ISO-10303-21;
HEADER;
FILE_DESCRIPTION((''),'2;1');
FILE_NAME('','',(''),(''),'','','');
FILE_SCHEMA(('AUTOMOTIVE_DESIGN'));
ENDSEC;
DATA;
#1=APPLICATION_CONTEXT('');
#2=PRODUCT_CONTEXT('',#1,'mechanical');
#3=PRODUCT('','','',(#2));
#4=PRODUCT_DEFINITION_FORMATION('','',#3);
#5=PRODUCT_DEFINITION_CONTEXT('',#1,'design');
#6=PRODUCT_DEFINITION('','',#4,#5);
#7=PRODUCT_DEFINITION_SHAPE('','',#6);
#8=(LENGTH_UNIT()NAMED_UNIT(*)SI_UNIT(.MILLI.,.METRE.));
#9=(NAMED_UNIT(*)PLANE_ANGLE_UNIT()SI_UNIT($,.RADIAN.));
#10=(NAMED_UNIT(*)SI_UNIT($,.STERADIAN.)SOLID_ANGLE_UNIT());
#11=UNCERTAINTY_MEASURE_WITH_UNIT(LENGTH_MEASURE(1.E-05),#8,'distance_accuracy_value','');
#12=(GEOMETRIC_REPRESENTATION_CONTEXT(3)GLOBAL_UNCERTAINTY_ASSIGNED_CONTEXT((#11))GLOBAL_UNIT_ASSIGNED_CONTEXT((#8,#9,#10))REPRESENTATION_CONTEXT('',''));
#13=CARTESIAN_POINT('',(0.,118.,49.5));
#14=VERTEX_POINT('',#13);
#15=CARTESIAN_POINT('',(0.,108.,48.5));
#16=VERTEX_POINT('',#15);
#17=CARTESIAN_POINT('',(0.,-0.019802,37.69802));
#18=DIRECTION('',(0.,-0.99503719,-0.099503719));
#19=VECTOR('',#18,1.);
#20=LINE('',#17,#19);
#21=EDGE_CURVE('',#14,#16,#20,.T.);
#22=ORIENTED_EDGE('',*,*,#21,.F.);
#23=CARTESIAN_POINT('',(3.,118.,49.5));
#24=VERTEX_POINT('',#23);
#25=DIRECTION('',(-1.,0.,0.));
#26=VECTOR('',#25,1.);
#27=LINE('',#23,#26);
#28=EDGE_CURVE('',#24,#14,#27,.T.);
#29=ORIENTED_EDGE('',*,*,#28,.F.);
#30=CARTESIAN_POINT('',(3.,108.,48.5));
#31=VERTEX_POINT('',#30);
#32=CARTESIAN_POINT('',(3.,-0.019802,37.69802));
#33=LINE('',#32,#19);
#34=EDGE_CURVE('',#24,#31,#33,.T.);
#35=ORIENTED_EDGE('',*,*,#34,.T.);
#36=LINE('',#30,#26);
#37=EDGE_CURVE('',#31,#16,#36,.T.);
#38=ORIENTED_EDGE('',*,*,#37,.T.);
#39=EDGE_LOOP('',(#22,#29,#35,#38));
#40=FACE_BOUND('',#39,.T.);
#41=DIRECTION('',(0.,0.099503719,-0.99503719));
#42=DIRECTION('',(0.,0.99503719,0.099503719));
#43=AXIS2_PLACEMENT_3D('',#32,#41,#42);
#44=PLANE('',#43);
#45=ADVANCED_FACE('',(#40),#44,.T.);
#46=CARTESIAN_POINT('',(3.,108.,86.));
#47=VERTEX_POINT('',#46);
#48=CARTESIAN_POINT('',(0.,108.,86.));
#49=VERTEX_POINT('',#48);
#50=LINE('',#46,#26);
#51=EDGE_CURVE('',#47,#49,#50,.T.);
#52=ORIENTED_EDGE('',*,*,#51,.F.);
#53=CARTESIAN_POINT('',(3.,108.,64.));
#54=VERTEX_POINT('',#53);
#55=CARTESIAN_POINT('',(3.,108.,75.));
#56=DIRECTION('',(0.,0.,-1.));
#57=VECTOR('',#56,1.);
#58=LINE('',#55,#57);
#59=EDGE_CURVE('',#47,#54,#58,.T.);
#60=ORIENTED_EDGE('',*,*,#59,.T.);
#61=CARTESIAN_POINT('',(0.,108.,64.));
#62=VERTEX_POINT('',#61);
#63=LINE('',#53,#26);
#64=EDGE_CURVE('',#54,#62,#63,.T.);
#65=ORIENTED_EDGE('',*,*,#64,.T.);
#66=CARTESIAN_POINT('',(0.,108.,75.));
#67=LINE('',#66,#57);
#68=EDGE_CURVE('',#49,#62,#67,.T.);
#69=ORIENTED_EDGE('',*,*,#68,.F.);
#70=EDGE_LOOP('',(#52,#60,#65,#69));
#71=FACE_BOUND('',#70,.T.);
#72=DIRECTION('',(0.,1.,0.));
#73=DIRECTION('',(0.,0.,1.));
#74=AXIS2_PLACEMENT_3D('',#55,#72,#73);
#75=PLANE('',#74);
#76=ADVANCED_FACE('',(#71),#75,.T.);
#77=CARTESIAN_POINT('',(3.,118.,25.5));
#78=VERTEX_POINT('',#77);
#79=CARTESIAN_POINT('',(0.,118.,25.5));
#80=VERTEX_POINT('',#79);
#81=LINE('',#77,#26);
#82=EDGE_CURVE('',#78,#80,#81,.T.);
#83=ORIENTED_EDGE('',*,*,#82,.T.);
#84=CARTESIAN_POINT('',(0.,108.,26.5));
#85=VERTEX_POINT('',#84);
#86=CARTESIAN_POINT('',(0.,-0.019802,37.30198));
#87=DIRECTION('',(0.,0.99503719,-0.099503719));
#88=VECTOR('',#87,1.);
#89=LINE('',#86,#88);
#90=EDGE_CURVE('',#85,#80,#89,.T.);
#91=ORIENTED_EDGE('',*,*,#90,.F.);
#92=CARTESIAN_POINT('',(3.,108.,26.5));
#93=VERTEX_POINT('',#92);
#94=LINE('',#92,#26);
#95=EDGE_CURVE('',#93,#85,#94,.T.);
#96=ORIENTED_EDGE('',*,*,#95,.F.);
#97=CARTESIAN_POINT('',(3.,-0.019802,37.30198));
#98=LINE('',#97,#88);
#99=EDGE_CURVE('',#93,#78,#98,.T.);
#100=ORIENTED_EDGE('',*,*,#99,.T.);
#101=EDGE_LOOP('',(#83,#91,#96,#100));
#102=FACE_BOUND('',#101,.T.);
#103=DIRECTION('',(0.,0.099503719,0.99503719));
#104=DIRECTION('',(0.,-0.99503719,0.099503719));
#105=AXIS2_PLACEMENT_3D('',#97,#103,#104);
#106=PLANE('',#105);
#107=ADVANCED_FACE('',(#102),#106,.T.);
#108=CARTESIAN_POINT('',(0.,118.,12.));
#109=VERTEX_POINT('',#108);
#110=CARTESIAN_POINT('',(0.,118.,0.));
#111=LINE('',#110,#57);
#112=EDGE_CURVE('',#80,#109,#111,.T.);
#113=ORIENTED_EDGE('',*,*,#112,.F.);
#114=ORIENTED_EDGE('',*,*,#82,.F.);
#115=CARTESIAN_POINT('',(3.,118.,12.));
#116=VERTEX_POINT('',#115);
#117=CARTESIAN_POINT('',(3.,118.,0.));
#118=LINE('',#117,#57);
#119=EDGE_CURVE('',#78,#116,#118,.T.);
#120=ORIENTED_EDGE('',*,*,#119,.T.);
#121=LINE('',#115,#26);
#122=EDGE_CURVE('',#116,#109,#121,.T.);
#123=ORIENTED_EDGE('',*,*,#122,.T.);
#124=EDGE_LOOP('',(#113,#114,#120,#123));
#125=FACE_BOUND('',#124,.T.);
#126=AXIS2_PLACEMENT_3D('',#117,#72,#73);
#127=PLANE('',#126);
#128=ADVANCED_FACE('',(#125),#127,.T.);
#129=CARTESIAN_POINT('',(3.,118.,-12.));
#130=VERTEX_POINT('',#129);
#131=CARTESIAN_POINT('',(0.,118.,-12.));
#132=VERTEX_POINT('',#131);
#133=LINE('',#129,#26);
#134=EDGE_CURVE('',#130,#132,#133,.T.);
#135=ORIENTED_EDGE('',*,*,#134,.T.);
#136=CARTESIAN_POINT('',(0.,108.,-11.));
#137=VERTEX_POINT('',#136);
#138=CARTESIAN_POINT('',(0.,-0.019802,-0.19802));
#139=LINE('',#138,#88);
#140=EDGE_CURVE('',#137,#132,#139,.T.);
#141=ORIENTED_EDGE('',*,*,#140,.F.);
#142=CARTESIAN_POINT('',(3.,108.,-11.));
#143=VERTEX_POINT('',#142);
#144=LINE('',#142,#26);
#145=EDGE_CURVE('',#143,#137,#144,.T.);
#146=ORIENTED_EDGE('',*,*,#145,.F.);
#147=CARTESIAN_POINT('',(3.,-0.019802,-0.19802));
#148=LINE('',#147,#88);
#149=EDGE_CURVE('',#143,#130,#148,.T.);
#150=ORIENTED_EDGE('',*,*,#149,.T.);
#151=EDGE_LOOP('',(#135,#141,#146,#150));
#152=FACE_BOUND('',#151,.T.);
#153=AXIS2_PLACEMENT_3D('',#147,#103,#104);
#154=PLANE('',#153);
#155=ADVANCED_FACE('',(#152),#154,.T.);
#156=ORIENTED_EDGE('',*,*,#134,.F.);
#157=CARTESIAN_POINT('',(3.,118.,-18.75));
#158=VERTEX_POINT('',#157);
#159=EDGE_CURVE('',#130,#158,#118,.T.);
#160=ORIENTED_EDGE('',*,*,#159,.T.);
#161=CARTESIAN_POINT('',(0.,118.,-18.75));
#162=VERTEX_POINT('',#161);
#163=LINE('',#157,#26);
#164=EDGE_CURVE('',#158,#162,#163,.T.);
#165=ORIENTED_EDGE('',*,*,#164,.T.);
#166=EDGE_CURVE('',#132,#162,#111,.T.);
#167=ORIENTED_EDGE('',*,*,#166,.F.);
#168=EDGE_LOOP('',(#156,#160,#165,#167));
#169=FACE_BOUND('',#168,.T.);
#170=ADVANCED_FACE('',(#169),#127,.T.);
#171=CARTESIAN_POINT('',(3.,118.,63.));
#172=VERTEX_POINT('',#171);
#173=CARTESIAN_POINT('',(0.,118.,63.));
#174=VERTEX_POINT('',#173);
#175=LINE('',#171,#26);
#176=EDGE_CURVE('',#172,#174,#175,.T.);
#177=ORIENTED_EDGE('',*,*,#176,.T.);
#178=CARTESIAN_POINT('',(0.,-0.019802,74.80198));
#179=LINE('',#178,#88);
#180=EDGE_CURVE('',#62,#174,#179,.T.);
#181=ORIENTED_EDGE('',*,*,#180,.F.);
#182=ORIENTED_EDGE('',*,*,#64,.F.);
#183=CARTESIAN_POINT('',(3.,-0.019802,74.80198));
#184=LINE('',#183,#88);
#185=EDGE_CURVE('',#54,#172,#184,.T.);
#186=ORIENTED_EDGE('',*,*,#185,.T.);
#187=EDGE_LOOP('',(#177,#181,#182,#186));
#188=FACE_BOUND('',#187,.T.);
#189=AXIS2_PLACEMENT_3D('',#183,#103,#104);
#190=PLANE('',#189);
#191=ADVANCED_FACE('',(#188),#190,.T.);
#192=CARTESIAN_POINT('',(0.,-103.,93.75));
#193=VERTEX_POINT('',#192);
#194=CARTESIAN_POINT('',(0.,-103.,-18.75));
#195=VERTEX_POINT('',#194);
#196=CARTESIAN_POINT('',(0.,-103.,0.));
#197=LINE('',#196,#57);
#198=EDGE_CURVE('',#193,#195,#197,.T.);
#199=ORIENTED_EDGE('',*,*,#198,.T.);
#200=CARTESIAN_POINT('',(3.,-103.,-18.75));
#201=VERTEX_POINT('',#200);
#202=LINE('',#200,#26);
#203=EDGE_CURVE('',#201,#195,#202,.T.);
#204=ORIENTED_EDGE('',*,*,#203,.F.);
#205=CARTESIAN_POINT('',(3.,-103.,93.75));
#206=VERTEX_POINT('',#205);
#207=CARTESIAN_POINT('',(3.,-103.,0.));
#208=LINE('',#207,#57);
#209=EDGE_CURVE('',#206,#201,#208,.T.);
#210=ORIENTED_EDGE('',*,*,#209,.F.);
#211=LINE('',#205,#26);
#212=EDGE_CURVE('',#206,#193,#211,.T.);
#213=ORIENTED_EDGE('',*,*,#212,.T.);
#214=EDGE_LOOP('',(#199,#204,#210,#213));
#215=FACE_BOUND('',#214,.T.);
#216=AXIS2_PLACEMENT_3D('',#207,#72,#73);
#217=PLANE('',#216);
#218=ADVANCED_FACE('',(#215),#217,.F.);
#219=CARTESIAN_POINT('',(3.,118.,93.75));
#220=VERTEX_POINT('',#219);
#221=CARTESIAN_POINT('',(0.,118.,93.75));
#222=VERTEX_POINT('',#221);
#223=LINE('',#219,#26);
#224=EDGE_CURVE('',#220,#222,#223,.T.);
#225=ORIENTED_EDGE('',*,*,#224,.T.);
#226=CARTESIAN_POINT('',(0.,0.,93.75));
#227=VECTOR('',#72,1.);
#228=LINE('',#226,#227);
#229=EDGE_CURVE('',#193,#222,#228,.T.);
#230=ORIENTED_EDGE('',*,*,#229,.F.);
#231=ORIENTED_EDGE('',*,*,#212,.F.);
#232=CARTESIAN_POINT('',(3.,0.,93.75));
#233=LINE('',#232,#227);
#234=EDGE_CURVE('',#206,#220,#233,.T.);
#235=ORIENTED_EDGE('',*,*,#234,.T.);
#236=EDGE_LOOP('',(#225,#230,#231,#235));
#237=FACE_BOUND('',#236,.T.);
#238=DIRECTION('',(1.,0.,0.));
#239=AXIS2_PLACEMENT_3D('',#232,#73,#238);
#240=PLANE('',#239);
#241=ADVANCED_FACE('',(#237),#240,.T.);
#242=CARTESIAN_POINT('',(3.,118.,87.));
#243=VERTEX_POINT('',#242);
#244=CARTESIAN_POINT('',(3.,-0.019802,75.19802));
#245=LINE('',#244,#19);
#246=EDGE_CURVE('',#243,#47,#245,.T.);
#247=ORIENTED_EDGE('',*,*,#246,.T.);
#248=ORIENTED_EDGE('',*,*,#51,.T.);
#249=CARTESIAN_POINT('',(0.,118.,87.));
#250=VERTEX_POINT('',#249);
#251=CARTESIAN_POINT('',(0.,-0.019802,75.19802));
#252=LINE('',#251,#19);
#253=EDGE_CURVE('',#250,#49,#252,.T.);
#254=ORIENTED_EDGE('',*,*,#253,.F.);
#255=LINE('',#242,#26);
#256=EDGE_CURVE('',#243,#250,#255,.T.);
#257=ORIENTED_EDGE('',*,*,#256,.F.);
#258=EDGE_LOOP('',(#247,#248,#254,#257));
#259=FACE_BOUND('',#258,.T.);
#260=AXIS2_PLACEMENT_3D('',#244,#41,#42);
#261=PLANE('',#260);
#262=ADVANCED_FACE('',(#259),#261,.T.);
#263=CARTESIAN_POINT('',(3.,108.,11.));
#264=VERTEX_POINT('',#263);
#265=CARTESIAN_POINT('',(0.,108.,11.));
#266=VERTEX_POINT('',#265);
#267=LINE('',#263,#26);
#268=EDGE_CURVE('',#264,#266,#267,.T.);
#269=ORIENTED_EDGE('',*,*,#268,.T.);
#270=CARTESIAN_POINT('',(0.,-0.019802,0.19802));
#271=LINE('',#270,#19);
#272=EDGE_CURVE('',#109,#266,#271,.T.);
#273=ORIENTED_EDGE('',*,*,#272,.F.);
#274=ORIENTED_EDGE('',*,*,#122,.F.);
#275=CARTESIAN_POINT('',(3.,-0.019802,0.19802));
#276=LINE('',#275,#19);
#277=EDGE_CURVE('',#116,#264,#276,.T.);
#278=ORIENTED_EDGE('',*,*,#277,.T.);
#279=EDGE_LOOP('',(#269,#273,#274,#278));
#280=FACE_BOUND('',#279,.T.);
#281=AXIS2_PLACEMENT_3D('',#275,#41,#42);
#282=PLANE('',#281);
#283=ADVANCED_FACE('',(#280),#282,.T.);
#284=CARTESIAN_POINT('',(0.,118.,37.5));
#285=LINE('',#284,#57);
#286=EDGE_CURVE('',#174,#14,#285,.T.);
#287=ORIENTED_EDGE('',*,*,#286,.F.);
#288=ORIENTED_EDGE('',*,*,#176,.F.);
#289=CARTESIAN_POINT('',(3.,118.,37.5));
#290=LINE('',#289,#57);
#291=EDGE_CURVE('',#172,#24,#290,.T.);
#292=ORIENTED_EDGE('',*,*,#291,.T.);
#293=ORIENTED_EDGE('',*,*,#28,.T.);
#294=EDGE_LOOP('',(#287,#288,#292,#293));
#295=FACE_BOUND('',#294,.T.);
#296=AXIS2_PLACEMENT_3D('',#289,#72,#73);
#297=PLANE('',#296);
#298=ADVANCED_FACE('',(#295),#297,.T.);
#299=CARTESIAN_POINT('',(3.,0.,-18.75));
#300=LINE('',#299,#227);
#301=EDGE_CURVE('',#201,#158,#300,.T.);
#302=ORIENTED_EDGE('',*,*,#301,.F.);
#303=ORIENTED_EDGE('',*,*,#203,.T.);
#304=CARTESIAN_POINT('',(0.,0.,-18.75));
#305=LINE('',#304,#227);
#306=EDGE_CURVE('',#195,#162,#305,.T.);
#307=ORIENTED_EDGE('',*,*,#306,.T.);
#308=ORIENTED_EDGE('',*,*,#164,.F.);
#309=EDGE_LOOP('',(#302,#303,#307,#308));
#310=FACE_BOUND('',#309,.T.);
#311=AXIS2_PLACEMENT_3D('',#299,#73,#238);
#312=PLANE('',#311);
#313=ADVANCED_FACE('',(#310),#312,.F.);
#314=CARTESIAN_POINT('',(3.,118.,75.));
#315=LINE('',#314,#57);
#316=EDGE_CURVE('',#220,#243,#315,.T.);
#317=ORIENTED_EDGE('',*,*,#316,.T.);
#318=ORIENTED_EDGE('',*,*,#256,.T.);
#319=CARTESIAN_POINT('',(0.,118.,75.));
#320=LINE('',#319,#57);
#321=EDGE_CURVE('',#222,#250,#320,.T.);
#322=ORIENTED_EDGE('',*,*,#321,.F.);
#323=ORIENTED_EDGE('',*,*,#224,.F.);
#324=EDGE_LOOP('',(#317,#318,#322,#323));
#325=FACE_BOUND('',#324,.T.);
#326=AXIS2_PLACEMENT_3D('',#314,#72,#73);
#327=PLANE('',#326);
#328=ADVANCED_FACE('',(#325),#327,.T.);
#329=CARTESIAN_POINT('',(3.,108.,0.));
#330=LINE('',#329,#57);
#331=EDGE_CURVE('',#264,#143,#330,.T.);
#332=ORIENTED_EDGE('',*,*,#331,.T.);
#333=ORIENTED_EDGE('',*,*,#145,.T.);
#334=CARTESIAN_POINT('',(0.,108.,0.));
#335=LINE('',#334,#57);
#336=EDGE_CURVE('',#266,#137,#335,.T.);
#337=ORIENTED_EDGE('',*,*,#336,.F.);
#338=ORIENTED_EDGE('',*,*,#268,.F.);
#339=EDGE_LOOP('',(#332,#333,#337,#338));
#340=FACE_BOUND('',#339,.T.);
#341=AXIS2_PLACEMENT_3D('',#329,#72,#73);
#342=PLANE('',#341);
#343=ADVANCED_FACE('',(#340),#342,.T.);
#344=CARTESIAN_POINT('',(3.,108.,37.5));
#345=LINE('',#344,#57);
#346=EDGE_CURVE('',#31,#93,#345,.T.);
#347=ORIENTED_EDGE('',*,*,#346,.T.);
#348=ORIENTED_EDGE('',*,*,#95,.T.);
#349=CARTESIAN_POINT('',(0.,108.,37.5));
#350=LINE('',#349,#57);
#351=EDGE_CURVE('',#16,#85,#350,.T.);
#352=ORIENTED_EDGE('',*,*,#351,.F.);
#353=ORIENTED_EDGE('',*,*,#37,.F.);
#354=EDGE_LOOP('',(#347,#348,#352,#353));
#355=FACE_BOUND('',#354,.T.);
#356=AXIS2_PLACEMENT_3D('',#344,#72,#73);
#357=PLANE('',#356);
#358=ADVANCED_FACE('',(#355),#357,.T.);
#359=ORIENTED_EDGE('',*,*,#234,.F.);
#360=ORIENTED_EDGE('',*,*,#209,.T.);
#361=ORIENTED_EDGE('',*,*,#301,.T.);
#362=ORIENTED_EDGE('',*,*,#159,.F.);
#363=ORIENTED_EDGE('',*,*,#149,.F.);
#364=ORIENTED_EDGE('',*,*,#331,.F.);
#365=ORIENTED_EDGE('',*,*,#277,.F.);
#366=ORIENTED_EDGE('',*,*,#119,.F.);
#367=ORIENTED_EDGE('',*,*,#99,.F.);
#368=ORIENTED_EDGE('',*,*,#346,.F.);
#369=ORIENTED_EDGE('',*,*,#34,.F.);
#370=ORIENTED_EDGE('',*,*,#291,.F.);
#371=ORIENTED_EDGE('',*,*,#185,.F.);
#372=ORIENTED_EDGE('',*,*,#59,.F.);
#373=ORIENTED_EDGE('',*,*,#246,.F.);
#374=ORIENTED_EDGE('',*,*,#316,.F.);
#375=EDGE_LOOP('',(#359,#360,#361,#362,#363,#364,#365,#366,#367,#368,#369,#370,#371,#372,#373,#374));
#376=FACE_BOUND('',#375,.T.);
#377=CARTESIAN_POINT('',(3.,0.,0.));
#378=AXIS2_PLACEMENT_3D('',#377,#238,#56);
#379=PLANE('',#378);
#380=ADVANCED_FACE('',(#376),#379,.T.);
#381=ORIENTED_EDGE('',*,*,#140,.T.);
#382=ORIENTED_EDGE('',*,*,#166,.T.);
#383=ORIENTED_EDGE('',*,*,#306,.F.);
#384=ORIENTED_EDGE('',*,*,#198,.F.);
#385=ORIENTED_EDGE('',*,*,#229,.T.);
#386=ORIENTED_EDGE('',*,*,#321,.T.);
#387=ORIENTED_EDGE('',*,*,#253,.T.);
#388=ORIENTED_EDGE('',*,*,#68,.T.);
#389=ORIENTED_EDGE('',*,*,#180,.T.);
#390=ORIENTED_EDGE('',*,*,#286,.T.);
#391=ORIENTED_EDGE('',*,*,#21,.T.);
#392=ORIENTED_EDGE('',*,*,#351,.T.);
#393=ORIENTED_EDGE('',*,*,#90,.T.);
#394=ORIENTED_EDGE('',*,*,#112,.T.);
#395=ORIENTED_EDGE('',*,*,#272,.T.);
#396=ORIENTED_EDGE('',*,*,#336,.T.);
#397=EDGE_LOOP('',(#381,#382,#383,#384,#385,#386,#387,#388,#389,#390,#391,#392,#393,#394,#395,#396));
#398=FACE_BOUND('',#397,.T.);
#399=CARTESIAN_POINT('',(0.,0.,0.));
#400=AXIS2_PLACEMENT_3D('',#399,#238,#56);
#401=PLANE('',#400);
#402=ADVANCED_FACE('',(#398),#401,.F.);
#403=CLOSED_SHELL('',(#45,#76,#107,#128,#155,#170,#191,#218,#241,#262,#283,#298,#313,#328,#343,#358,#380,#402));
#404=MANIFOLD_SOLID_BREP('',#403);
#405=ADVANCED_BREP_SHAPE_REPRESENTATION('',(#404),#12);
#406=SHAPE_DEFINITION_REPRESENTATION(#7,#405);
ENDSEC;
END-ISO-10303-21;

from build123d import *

# Parameters (mm, degrees)
SKETCH2_W           = 37.5
SKETCH2_H           = 206
BOSS_EXTRUDE2_DEPTH = 3
LPATTERN1_COUNT     = 3
LPATTERN1_PITCH     = 37.5


with BuildPart() as part:
    # Sketch2 → Boss-Extrude2 (new body)
    with BuildSketch(Plane(origin=(0, 0, 0), x_dir=(0, 0, -1), z_dir=(1, 0, 0))):
        Rectangle(SKETCH2_W, SKETCH2_H)
        Polygon((18.75, 118), (18.75, 103), (-18.75, 103), (-18.75, 118), (-12, 118), (-11, 108), (11, 108), (12, 118), align=None)
    boss_extrude2 = extrude(amount=BOSS_EXTRUDE2_DEPTH)

    # LPattern1: Boss-Extrude2 ×3
    with Locations(*[(0, 0, i * LPATTERN1_PITCH) for i in range(1, LPATTERN1_COUNT)]):
        add(boss_extrude2)


solid = part.part
